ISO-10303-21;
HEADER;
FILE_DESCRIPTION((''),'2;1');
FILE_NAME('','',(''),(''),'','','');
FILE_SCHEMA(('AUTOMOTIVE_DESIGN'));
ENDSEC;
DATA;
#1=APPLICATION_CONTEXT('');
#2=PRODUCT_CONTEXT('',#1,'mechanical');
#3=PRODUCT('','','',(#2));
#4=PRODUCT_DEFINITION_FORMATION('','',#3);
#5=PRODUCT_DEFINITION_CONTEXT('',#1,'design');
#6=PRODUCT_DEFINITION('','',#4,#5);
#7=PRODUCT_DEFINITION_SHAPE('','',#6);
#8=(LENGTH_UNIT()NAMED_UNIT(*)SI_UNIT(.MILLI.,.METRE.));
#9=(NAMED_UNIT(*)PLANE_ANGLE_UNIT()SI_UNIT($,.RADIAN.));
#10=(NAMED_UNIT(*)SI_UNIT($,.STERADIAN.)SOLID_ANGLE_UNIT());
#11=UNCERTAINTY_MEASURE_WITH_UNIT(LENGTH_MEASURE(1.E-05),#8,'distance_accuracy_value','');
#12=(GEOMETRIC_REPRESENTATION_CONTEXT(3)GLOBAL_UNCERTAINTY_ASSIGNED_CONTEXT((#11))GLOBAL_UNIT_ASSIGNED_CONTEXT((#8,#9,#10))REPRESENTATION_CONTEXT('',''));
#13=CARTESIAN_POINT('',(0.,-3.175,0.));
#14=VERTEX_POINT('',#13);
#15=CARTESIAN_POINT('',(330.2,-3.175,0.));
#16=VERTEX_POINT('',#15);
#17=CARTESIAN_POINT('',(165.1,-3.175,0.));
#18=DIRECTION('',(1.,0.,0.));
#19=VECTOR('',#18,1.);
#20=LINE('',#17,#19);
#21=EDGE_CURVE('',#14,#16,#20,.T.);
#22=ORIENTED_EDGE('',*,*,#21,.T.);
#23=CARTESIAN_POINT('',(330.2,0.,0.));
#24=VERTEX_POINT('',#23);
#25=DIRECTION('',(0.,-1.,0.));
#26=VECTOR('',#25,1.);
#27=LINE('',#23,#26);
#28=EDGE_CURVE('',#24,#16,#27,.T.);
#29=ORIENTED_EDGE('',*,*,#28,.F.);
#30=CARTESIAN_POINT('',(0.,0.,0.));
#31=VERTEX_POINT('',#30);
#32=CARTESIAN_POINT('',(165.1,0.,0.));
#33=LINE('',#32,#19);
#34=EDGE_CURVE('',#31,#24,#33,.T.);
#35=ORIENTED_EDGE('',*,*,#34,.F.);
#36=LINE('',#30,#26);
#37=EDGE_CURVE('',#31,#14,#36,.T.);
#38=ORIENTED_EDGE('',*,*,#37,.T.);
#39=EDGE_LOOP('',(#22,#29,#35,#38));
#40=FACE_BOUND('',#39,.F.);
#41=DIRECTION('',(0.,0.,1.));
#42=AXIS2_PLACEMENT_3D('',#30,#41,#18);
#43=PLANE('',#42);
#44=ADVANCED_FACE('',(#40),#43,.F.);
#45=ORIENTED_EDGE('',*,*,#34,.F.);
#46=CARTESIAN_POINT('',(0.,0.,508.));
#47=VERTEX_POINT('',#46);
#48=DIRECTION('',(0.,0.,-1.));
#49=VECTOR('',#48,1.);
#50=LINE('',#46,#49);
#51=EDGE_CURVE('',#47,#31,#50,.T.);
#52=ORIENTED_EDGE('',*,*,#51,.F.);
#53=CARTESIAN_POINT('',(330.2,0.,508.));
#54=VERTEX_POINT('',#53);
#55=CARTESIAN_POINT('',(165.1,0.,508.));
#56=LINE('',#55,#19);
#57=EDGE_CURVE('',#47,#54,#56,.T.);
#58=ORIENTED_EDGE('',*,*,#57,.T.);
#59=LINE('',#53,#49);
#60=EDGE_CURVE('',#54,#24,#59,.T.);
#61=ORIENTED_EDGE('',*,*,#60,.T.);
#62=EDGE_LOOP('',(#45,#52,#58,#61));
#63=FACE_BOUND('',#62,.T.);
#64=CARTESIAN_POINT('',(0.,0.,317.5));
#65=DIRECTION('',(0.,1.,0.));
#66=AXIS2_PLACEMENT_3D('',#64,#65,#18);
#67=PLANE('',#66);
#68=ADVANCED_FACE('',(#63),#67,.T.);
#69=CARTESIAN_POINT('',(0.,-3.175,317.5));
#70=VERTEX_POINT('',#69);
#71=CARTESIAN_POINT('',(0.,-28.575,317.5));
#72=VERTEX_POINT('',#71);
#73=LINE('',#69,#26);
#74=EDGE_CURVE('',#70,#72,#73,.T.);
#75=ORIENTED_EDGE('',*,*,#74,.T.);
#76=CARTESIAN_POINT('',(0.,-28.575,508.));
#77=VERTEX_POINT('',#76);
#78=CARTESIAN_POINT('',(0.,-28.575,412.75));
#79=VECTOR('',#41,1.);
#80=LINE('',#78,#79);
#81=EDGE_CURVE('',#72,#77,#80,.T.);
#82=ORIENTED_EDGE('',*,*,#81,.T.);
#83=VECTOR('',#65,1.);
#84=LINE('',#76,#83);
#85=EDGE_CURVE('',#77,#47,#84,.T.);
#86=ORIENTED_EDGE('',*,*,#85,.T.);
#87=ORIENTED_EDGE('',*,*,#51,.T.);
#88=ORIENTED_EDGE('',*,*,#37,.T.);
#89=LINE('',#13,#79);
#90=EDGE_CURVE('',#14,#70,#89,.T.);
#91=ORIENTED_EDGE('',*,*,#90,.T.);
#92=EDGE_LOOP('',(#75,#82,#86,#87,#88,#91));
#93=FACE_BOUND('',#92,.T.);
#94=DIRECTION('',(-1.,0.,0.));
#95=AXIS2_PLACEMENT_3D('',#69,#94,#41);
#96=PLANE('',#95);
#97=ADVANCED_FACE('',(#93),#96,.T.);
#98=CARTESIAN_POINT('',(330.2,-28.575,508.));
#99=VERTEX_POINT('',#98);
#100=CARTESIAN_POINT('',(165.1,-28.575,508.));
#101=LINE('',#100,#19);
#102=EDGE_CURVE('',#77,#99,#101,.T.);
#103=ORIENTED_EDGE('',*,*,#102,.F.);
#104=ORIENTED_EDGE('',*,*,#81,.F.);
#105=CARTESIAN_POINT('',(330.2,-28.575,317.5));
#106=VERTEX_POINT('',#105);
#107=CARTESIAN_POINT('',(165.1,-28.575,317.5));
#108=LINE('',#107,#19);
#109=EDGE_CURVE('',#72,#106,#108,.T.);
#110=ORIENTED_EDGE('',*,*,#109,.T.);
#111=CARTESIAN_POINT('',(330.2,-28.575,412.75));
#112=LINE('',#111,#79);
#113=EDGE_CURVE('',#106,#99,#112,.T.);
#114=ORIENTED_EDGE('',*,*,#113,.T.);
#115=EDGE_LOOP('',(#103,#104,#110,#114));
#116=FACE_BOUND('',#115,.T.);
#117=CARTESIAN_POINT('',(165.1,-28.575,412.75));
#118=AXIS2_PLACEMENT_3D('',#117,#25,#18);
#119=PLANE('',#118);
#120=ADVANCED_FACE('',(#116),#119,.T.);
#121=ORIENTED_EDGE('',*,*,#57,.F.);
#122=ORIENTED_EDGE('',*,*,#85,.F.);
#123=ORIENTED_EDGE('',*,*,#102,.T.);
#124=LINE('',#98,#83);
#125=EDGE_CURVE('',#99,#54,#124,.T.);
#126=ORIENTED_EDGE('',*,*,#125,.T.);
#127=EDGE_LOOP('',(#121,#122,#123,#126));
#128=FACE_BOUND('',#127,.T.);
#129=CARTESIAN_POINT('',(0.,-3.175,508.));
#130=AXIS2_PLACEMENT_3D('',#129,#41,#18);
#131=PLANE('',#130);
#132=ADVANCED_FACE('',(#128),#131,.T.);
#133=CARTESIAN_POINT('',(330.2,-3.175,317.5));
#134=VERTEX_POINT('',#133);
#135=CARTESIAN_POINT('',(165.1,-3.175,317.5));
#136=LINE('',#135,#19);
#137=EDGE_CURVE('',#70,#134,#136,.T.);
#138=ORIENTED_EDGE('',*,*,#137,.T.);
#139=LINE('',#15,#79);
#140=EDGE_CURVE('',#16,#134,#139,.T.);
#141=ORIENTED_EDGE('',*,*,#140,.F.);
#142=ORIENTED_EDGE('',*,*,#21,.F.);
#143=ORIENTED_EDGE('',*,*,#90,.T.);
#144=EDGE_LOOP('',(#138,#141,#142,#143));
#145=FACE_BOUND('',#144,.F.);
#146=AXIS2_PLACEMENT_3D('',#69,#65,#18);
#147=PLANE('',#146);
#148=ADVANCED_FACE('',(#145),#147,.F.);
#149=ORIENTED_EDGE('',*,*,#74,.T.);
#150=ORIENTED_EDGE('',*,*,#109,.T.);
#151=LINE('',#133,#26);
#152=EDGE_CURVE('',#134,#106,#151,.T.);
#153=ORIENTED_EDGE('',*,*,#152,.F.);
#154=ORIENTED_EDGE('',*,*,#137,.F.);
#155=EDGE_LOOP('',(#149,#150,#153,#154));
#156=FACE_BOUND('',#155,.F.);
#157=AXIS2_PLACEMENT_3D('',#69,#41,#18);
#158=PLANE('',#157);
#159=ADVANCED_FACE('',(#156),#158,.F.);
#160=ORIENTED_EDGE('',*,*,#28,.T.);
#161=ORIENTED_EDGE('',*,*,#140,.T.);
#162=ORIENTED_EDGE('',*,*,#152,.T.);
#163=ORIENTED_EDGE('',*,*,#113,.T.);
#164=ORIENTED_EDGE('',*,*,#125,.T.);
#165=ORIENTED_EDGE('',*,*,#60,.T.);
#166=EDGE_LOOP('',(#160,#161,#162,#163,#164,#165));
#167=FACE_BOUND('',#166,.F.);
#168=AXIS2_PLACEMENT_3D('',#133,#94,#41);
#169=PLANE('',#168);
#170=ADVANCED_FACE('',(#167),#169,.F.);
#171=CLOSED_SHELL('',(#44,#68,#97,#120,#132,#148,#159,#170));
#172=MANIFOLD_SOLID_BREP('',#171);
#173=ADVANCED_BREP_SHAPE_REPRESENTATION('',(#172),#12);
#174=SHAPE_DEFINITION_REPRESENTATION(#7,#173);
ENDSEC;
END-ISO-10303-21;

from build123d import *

# Parameters (mm, degrees)
F0_W     = 330.2
F0_H     = 317.5
F1_DEPTH = 3.175
F2_W     = 330.2
F2_H     = 3.175
F3_DEPTH = 190.5
F4_W     = 330.2
F4_H     = 190.5
F5_DEPTH = 25.4


with BuildPart() as f1:
    # F0 (on Front) → F1 (new body)
    with BuildSketch(Plane.XZ):
        with Locations((165.1, 158.75)):
            Rectangle(F0_W, F0_H)
    extrude(amount=F1_DEPTH)

    # F2 (on face) → F3 (join)
    with BuildSketch(Plane.XY.offset(317.5)):
        with Locations((165.1, -1.5875)):
            Rectangle(F2_W, F2_H)
    extrude(amount=F3_DEPTH)

    # F4 (on face) → F5 (join)
    with BuildSketch(Plane.XZ.offset(3.175)):
        with Locations((165.1, 412.75)):
            Rectangle(F4_W, F4_H)
    extrude(amount=F5_DEPTH)


solid = f1.part
